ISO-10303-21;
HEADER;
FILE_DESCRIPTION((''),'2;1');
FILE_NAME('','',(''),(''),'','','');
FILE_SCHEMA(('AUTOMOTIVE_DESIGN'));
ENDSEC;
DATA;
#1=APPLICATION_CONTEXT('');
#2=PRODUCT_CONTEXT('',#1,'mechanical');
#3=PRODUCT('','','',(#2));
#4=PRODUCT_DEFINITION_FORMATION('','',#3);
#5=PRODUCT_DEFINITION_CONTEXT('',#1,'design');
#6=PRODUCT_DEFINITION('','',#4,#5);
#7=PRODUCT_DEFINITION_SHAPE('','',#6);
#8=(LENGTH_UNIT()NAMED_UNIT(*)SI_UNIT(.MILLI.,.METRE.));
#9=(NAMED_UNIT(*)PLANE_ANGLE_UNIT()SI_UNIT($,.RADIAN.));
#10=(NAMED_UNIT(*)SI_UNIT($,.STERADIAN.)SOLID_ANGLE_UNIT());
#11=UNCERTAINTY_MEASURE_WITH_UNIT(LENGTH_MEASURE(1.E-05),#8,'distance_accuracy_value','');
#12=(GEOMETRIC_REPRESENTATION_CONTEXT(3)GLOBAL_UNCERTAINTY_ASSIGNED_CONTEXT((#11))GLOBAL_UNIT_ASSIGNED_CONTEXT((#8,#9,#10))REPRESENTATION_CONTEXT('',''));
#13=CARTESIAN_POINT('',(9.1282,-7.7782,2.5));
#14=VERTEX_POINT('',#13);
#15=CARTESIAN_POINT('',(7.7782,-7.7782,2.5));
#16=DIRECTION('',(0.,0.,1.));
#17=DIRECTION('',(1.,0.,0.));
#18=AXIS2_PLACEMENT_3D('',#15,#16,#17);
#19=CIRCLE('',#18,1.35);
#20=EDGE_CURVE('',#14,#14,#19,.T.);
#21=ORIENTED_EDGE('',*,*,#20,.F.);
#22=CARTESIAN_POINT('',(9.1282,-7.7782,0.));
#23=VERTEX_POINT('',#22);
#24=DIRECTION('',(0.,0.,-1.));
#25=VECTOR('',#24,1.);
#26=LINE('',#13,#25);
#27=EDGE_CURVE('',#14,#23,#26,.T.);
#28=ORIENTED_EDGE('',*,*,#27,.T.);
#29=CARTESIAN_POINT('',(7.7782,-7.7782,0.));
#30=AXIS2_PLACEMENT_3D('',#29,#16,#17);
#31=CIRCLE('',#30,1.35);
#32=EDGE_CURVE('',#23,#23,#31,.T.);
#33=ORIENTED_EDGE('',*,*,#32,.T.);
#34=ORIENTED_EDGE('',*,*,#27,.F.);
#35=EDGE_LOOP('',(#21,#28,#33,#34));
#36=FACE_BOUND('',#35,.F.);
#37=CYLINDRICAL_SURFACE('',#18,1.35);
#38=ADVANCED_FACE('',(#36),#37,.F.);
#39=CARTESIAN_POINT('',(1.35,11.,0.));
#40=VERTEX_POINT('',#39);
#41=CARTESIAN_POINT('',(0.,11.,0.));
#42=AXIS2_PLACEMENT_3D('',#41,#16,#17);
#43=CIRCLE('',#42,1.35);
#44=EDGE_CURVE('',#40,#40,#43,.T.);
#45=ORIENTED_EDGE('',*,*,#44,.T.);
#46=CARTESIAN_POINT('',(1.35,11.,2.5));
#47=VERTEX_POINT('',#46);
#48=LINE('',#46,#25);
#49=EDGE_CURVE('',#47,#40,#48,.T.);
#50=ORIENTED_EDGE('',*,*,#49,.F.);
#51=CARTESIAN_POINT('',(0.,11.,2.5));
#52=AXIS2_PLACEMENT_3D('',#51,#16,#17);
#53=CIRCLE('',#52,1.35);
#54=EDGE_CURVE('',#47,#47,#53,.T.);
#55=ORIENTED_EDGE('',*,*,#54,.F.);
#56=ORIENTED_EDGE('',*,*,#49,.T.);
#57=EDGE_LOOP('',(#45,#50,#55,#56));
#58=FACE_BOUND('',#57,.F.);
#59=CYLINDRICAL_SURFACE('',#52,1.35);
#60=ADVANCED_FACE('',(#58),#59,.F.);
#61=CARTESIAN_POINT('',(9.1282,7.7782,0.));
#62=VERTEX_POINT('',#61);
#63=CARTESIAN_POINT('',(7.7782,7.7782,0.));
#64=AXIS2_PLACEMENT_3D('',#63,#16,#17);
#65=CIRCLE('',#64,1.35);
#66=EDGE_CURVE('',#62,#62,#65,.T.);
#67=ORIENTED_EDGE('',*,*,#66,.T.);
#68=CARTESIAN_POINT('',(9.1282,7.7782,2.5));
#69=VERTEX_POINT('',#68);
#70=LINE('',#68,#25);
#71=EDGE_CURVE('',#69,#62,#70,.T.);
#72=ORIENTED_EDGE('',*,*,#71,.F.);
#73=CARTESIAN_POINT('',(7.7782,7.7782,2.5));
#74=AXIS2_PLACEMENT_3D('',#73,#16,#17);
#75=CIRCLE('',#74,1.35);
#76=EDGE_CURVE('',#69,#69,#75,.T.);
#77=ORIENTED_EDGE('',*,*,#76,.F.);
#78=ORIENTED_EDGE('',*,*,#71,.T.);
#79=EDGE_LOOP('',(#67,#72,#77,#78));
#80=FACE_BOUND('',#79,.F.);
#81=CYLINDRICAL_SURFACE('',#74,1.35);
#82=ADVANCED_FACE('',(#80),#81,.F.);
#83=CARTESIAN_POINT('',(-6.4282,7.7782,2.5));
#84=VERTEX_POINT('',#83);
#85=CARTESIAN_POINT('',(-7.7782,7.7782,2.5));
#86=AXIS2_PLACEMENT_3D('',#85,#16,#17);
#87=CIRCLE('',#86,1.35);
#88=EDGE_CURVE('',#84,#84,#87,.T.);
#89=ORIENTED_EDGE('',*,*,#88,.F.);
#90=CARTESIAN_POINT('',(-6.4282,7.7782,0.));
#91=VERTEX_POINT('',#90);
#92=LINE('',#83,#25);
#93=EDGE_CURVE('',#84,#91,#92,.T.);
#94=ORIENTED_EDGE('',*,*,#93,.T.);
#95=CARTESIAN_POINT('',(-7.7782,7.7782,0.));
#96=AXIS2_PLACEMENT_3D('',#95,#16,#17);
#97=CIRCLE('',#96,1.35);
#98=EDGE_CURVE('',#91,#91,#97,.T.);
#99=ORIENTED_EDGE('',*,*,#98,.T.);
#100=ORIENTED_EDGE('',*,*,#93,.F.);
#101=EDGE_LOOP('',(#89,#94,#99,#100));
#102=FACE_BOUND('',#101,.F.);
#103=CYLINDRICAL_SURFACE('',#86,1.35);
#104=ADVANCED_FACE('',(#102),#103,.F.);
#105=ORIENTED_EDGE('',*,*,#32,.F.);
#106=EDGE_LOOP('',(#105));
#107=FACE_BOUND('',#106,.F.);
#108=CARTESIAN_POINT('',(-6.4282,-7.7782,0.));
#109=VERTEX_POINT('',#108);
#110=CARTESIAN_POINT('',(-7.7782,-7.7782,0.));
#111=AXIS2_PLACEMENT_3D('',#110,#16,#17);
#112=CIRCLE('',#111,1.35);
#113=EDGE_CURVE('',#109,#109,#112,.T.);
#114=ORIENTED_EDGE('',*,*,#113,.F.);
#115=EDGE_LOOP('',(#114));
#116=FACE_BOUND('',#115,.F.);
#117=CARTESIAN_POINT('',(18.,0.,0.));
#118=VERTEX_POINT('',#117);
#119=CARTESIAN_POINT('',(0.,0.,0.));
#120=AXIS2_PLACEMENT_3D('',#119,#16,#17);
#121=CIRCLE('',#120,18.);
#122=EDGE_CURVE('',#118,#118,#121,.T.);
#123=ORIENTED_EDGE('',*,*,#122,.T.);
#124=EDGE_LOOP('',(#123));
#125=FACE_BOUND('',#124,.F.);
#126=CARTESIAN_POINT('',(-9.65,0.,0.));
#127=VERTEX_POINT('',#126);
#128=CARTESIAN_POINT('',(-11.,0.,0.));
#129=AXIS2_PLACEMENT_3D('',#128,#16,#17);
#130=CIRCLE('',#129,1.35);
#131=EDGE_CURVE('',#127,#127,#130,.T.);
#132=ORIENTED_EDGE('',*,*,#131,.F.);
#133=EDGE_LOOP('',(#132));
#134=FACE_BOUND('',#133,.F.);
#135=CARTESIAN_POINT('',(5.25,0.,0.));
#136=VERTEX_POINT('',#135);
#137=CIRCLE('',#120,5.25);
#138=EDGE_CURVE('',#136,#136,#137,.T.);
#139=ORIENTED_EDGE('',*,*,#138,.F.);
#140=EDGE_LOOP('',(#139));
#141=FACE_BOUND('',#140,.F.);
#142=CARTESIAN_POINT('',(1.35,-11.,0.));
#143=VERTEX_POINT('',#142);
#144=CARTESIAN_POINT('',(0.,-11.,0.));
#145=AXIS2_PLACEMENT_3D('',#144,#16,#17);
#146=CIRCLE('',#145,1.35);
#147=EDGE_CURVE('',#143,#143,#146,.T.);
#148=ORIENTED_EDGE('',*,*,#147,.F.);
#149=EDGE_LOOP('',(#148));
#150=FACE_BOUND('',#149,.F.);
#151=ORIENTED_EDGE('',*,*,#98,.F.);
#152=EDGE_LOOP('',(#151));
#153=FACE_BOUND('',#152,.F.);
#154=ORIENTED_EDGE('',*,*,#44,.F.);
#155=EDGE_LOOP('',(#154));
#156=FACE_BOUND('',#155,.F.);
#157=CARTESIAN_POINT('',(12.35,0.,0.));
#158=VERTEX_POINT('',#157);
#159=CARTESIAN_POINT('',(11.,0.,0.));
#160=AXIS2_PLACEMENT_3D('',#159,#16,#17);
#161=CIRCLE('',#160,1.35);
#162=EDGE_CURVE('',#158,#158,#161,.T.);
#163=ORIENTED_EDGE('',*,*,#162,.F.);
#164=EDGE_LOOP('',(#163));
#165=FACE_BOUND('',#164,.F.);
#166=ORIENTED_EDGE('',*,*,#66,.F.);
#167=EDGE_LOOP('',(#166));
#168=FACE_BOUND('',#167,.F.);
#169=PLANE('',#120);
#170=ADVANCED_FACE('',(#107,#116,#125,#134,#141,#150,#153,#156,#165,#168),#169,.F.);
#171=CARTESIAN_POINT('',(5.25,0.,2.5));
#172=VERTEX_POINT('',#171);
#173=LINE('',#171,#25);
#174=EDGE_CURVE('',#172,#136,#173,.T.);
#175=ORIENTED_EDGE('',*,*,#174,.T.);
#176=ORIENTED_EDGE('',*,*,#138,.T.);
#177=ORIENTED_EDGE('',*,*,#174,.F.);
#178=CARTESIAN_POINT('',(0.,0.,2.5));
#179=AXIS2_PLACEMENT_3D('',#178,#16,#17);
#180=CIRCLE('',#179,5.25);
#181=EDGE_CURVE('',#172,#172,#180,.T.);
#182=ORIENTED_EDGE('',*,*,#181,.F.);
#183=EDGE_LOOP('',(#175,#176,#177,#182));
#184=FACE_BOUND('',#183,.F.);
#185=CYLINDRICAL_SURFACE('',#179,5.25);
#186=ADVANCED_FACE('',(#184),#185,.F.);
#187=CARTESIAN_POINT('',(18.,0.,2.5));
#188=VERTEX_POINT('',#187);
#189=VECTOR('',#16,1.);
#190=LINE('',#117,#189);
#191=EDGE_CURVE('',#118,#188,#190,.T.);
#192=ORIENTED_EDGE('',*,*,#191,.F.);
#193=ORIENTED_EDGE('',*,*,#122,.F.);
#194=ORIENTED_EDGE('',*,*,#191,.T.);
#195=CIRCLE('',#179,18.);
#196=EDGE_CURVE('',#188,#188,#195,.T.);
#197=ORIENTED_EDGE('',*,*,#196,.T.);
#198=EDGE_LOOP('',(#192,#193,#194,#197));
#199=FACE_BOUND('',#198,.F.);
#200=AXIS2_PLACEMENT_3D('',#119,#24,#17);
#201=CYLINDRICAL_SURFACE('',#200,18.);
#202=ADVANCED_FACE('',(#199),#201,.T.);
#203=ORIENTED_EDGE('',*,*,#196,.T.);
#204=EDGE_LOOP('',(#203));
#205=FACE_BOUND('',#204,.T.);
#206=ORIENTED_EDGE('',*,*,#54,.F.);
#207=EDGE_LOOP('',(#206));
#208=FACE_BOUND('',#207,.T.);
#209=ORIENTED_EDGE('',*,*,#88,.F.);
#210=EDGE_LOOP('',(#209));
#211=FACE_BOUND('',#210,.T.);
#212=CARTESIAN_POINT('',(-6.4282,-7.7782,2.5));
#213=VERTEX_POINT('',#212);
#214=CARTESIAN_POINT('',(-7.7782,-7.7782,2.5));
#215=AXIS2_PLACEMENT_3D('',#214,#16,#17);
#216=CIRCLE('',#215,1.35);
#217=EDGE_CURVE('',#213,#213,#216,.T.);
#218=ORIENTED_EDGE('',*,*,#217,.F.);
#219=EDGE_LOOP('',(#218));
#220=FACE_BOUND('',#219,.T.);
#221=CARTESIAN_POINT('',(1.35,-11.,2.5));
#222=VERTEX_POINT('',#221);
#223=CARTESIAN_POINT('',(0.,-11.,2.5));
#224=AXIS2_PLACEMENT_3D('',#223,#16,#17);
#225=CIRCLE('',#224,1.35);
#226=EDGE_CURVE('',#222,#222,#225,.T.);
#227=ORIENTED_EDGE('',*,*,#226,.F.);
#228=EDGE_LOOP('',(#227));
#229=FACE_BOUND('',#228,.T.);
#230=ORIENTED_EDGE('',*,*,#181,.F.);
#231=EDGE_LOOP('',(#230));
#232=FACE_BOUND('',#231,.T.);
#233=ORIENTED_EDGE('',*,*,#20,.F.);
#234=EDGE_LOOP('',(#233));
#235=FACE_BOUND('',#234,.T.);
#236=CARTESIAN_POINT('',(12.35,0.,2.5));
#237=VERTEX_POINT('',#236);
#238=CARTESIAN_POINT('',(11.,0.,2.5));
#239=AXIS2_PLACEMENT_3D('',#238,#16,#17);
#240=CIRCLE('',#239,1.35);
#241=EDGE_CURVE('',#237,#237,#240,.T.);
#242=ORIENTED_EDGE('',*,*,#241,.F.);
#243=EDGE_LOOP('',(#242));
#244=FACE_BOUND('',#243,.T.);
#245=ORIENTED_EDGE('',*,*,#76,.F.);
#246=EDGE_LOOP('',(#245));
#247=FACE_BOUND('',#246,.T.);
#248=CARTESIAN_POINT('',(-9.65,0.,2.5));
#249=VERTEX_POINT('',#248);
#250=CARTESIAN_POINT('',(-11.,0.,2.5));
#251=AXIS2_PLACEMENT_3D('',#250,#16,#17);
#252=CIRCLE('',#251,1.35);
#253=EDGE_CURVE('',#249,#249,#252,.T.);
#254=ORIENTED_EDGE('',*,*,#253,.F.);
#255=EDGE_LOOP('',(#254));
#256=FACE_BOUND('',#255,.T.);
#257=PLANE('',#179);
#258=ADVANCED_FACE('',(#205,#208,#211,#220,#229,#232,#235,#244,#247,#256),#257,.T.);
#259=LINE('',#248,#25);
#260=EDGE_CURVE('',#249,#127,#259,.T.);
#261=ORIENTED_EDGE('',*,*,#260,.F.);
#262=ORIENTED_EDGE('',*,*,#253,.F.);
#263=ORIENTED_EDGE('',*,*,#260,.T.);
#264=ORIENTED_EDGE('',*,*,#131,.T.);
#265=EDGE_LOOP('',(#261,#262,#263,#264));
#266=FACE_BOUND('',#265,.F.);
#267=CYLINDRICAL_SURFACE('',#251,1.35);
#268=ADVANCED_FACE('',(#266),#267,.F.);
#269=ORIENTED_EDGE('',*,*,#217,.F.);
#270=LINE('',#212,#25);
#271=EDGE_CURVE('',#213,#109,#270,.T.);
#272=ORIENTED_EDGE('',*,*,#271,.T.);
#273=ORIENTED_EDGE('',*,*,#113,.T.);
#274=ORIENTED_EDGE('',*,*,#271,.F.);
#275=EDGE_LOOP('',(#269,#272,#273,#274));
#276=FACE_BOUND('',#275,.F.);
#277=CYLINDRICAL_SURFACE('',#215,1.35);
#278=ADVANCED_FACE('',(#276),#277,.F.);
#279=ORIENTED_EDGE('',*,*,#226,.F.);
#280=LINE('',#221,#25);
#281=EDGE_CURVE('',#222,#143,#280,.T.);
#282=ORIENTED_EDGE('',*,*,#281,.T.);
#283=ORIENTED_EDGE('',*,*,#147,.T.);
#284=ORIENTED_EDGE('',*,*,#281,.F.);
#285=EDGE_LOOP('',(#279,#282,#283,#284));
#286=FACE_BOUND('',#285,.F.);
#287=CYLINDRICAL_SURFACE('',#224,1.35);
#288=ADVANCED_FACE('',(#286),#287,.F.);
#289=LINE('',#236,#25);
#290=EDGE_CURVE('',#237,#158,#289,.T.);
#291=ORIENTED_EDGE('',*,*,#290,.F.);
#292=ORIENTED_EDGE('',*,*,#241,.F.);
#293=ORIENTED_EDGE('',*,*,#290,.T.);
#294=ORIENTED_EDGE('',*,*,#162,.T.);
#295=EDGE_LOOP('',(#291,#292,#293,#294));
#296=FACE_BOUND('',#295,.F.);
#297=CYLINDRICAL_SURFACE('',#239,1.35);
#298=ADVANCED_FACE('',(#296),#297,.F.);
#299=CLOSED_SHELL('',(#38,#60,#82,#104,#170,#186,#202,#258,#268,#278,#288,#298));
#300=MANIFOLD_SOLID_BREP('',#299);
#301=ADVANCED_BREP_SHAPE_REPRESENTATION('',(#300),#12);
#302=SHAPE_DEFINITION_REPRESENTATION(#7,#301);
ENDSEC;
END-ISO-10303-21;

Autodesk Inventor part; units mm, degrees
ref_plane "YZ Plane" through (0, 0, 0) normal (1, 0, 0) x (0, 1, 0)
ref_plane "XZ Plane" through (0, 0, 0) normal (0, 1, 0) x (-1, 0, 0)
ref_plane "XY Plane" through (0, 0, 0) normal (0, 0, 1) x (1, 0, 0)
sketch "Sketch1" plane through (0, 0, 0) normal (0, 0, 1) x (1, 0, 0)
  circle A0 centre (0, 0) radius 18
  dimension "d0" = 36
extrude "Extrusion1" add sketch "Sketch1" along normal blind 2.5
sketch "Sketch2" plane through (0, 0, 2.5) normal (0, 0, 1) x (1, 0, 0)
  line L0 (0, 0) -> (0, 11)
  circle A0 centre (0, 11) radius 1.25
  circle A1 centre (0, 0) radius 5
  circle A2 centre (7.7782, 7.7782) radius 1.25
  circle A3 centre (11, 0) radius 1.25
  circle A4 centre (7.7782, -7.7782) radius 1.25
  circle A5 centre (0, -11) radius 1.25
  circle A6 centre (-7.7782, -7.7782) radius 1.25
  circle A7 centre (-11, 0) radius 1.25
  circle A8 centre (-7.7782, 7.7782) radius 1.25
  dimension "d3" = 11
  dimension "d4" = 2.5
  dimension "d5" = 10
  dimension "d8" = 360
extrude "Extrusion2" cut sketch "Sketch2" against normal through all
sketch "Sketch3" plane through (0, 0, 2.5) normal (0, 0, 1) x (1, 0, 0)
  circle A0 centre (0, 0) radius 5.25
  dimension "d12" = 10.5
extrude "Extrusion3" cut sketch "Sketch3" against normal through all
sketch "Sketch4" plane through (0, 0, 2.5) normal (0, 0, 1) x (1, 0, 0)
  circle A0 centre (0, 11) radius 1.25 projected
  circle A1 centre (0, 11) radius 1.35
  circle A2 centre (7.7782, 7.7782) radius 1.25 projected
  circle A3 centre (7.7782, 7.7782) radius 1.35
  circle A4 centre (11, 0) radius 1.25 projected
  circle A5 centre (11, 0) radius 1.35
  circle A6 centre (-7.7782, 7.7782) radius 1.25 projected
  circle A7 centre (-7.7782, 7.7782) radius 1.35
  circle A8 centre (-11, 0) radius 1.25 projected
  circle A9 centre (-11, 0) radius 1.35
  circle A10 centre (-7.7782, -7.7782) radius 1.25 projected
  circle A11 centre (-7.7782, -7.7782) radius 1.35
  circle A12 centre (0, -11) radius 1.25 projected
  circle A13 centre (0, -11) radius 1.35
  circle A14 centre (7.7782, -7.7782) radius 1.25 projected
  circle A15 centre (7.7782, -7.7782) radius 1.35
  point P0 (0, 0)
  dimension "d15" = 2.7
  dimension "d16" = 2.7
  dimension "d17" = 2.7
  dimension "d18" = 2.7
  dimension "d19" = 2.7
  dimension "d20" = 2.7
  dimension "d21" = 2.7
  dimension "d22" = 2.7
extrude "Extrusion4" cut sketch "Sketch4" against normal blind 10
properties part number "Pulley_base"
